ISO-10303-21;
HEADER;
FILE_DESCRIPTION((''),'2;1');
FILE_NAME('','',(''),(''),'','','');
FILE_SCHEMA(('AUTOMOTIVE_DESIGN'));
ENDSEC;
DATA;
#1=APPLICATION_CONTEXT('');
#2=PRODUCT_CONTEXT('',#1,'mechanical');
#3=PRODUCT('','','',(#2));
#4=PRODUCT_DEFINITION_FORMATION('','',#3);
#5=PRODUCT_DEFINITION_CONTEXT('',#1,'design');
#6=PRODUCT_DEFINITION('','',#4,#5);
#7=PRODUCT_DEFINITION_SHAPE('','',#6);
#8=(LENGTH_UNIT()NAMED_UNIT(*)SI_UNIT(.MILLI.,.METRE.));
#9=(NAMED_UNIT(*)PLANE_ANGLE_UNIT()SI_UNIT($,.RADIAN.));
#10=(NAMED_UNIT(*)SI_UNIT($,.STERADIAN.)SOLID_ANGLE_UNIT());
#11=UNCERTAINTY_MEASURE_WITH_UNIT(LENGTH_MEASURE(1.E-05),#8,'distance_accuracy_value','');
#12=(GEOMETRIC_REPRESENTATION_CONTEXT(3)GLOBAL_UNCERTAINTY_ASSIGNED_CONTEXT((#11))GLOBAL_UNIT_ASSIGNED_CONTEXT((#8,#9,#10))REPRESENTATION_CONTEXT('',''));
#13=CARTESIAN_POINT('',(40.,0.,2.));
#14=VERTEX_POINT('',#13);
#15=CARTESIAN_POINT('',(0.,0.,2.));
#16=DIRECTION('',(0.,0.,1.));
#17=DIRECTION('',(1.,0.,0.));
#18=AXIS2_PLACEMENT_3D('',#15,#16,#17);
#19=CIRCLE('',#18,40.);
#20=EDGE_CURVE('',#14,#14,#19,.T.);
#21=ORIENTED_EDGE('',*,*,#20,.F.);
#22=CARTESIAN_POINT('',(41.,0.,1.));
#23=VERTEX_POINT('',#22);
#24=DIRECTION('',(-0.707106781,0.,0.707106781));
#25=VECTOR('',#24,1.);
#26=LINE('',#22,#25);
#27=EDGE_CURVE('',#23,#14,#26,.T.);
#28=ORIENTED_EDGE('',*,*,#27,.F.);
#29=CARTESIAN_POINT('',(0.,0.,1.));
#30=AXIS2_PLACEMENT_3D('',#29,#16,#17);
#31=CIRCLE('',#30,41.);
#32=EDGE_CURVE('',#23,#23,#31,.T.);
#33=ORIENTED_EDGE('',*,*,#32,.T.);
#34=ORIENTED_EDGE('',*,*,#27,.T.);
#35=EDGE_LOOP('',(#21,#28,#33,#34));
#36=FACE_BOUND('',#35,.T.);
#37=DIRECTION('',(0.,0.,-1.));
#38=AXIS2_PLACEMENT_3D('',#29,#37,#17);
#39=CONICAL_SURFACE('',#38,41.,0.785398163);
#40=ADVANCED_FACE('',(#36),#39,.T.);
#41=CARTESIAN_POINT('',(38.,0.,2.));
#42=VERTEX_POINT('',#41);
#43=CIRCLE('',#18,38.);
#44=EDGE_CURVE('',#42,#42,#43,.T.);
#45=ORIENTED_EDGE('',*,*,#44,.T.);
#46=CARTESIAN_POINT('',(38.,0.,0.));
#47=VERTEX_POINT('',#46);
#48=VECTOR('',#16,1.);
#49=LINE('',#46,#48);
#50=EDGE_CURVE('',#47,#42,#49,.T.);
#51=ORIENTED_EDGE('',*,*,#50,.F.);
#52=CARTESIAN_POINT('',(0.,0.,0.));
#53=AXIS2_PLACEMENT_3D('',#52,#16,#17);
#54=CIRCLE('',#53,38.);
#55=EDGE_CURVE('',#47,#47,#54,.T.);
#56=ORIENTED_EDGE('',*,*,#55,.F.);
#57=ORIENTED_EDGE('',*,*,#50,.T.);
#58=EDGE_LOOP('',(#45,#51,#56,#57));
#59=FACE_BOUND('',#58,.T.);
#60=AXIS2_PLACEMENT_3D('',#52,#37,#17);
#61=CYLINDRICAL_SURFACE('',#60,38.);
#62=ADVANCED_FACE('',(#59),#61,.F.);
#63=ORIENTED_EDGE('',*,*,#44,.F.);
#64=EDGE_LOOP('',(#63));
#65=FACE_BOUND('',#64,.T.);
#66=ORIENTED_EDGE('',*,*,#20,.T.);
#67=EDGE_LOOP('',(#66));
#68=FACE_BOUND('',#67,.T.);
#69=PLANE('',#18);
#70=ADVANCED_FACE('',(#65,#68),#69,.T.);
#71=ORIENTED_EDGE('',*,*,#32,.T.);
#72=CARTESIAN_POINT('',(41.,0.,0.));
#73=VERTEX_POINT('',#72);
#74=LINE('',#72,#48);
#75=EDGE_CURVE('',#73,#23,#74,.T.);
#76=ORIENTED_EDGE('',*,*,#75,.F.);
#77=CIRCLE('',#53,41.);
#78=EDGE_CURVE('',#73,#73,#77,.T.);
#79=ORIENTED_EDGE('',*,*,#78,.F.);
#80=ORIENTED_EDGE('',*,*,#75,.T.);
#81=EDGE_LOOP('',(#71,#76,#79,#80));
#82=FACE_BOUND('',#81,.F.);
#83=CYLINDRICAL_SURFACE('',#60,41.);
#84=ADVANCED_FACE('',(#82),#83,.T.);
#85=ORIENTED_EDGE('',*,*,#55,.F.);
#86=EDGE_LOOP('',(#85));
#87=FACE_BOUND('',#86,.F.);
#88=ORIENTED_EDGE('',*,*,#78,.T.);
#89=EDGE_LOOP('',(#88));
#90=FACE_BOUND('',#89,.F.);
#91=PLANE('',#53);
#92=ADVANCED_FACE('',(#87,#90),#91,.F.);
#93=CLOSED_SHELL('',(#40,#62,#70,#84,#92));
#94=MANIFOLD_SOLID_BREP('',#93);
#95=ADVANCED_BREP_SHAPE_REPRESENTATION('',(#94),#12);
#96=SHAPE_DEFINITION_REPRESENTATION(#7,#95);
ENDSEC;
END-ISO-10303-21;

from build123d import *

# Parameters (mm, degrees)
SKETCH_R     = 41
SKETCH_R_2   = 38
PAD_DEPTH    = 2
CHAMFER_SIZE = 1


with BuildPart() as part:
    # Sketch → Pad (new body)
    with BuildSketch(Plane.XY):
        Circle(SKETCH_R)
        Circle(SKETCH_R_2, mode=Mode.SUBTRACT)
    extrude(amount=PAD_DEPTH)

    # Chamfer
    chamfer_edges = [part.edges().sort_by_distance(p)[0] for p in [
        (-41, 0, 2),
    ]]
    chamfer(chamfer_edges, length=CHAMFER_SIZE)


solid = part.part
